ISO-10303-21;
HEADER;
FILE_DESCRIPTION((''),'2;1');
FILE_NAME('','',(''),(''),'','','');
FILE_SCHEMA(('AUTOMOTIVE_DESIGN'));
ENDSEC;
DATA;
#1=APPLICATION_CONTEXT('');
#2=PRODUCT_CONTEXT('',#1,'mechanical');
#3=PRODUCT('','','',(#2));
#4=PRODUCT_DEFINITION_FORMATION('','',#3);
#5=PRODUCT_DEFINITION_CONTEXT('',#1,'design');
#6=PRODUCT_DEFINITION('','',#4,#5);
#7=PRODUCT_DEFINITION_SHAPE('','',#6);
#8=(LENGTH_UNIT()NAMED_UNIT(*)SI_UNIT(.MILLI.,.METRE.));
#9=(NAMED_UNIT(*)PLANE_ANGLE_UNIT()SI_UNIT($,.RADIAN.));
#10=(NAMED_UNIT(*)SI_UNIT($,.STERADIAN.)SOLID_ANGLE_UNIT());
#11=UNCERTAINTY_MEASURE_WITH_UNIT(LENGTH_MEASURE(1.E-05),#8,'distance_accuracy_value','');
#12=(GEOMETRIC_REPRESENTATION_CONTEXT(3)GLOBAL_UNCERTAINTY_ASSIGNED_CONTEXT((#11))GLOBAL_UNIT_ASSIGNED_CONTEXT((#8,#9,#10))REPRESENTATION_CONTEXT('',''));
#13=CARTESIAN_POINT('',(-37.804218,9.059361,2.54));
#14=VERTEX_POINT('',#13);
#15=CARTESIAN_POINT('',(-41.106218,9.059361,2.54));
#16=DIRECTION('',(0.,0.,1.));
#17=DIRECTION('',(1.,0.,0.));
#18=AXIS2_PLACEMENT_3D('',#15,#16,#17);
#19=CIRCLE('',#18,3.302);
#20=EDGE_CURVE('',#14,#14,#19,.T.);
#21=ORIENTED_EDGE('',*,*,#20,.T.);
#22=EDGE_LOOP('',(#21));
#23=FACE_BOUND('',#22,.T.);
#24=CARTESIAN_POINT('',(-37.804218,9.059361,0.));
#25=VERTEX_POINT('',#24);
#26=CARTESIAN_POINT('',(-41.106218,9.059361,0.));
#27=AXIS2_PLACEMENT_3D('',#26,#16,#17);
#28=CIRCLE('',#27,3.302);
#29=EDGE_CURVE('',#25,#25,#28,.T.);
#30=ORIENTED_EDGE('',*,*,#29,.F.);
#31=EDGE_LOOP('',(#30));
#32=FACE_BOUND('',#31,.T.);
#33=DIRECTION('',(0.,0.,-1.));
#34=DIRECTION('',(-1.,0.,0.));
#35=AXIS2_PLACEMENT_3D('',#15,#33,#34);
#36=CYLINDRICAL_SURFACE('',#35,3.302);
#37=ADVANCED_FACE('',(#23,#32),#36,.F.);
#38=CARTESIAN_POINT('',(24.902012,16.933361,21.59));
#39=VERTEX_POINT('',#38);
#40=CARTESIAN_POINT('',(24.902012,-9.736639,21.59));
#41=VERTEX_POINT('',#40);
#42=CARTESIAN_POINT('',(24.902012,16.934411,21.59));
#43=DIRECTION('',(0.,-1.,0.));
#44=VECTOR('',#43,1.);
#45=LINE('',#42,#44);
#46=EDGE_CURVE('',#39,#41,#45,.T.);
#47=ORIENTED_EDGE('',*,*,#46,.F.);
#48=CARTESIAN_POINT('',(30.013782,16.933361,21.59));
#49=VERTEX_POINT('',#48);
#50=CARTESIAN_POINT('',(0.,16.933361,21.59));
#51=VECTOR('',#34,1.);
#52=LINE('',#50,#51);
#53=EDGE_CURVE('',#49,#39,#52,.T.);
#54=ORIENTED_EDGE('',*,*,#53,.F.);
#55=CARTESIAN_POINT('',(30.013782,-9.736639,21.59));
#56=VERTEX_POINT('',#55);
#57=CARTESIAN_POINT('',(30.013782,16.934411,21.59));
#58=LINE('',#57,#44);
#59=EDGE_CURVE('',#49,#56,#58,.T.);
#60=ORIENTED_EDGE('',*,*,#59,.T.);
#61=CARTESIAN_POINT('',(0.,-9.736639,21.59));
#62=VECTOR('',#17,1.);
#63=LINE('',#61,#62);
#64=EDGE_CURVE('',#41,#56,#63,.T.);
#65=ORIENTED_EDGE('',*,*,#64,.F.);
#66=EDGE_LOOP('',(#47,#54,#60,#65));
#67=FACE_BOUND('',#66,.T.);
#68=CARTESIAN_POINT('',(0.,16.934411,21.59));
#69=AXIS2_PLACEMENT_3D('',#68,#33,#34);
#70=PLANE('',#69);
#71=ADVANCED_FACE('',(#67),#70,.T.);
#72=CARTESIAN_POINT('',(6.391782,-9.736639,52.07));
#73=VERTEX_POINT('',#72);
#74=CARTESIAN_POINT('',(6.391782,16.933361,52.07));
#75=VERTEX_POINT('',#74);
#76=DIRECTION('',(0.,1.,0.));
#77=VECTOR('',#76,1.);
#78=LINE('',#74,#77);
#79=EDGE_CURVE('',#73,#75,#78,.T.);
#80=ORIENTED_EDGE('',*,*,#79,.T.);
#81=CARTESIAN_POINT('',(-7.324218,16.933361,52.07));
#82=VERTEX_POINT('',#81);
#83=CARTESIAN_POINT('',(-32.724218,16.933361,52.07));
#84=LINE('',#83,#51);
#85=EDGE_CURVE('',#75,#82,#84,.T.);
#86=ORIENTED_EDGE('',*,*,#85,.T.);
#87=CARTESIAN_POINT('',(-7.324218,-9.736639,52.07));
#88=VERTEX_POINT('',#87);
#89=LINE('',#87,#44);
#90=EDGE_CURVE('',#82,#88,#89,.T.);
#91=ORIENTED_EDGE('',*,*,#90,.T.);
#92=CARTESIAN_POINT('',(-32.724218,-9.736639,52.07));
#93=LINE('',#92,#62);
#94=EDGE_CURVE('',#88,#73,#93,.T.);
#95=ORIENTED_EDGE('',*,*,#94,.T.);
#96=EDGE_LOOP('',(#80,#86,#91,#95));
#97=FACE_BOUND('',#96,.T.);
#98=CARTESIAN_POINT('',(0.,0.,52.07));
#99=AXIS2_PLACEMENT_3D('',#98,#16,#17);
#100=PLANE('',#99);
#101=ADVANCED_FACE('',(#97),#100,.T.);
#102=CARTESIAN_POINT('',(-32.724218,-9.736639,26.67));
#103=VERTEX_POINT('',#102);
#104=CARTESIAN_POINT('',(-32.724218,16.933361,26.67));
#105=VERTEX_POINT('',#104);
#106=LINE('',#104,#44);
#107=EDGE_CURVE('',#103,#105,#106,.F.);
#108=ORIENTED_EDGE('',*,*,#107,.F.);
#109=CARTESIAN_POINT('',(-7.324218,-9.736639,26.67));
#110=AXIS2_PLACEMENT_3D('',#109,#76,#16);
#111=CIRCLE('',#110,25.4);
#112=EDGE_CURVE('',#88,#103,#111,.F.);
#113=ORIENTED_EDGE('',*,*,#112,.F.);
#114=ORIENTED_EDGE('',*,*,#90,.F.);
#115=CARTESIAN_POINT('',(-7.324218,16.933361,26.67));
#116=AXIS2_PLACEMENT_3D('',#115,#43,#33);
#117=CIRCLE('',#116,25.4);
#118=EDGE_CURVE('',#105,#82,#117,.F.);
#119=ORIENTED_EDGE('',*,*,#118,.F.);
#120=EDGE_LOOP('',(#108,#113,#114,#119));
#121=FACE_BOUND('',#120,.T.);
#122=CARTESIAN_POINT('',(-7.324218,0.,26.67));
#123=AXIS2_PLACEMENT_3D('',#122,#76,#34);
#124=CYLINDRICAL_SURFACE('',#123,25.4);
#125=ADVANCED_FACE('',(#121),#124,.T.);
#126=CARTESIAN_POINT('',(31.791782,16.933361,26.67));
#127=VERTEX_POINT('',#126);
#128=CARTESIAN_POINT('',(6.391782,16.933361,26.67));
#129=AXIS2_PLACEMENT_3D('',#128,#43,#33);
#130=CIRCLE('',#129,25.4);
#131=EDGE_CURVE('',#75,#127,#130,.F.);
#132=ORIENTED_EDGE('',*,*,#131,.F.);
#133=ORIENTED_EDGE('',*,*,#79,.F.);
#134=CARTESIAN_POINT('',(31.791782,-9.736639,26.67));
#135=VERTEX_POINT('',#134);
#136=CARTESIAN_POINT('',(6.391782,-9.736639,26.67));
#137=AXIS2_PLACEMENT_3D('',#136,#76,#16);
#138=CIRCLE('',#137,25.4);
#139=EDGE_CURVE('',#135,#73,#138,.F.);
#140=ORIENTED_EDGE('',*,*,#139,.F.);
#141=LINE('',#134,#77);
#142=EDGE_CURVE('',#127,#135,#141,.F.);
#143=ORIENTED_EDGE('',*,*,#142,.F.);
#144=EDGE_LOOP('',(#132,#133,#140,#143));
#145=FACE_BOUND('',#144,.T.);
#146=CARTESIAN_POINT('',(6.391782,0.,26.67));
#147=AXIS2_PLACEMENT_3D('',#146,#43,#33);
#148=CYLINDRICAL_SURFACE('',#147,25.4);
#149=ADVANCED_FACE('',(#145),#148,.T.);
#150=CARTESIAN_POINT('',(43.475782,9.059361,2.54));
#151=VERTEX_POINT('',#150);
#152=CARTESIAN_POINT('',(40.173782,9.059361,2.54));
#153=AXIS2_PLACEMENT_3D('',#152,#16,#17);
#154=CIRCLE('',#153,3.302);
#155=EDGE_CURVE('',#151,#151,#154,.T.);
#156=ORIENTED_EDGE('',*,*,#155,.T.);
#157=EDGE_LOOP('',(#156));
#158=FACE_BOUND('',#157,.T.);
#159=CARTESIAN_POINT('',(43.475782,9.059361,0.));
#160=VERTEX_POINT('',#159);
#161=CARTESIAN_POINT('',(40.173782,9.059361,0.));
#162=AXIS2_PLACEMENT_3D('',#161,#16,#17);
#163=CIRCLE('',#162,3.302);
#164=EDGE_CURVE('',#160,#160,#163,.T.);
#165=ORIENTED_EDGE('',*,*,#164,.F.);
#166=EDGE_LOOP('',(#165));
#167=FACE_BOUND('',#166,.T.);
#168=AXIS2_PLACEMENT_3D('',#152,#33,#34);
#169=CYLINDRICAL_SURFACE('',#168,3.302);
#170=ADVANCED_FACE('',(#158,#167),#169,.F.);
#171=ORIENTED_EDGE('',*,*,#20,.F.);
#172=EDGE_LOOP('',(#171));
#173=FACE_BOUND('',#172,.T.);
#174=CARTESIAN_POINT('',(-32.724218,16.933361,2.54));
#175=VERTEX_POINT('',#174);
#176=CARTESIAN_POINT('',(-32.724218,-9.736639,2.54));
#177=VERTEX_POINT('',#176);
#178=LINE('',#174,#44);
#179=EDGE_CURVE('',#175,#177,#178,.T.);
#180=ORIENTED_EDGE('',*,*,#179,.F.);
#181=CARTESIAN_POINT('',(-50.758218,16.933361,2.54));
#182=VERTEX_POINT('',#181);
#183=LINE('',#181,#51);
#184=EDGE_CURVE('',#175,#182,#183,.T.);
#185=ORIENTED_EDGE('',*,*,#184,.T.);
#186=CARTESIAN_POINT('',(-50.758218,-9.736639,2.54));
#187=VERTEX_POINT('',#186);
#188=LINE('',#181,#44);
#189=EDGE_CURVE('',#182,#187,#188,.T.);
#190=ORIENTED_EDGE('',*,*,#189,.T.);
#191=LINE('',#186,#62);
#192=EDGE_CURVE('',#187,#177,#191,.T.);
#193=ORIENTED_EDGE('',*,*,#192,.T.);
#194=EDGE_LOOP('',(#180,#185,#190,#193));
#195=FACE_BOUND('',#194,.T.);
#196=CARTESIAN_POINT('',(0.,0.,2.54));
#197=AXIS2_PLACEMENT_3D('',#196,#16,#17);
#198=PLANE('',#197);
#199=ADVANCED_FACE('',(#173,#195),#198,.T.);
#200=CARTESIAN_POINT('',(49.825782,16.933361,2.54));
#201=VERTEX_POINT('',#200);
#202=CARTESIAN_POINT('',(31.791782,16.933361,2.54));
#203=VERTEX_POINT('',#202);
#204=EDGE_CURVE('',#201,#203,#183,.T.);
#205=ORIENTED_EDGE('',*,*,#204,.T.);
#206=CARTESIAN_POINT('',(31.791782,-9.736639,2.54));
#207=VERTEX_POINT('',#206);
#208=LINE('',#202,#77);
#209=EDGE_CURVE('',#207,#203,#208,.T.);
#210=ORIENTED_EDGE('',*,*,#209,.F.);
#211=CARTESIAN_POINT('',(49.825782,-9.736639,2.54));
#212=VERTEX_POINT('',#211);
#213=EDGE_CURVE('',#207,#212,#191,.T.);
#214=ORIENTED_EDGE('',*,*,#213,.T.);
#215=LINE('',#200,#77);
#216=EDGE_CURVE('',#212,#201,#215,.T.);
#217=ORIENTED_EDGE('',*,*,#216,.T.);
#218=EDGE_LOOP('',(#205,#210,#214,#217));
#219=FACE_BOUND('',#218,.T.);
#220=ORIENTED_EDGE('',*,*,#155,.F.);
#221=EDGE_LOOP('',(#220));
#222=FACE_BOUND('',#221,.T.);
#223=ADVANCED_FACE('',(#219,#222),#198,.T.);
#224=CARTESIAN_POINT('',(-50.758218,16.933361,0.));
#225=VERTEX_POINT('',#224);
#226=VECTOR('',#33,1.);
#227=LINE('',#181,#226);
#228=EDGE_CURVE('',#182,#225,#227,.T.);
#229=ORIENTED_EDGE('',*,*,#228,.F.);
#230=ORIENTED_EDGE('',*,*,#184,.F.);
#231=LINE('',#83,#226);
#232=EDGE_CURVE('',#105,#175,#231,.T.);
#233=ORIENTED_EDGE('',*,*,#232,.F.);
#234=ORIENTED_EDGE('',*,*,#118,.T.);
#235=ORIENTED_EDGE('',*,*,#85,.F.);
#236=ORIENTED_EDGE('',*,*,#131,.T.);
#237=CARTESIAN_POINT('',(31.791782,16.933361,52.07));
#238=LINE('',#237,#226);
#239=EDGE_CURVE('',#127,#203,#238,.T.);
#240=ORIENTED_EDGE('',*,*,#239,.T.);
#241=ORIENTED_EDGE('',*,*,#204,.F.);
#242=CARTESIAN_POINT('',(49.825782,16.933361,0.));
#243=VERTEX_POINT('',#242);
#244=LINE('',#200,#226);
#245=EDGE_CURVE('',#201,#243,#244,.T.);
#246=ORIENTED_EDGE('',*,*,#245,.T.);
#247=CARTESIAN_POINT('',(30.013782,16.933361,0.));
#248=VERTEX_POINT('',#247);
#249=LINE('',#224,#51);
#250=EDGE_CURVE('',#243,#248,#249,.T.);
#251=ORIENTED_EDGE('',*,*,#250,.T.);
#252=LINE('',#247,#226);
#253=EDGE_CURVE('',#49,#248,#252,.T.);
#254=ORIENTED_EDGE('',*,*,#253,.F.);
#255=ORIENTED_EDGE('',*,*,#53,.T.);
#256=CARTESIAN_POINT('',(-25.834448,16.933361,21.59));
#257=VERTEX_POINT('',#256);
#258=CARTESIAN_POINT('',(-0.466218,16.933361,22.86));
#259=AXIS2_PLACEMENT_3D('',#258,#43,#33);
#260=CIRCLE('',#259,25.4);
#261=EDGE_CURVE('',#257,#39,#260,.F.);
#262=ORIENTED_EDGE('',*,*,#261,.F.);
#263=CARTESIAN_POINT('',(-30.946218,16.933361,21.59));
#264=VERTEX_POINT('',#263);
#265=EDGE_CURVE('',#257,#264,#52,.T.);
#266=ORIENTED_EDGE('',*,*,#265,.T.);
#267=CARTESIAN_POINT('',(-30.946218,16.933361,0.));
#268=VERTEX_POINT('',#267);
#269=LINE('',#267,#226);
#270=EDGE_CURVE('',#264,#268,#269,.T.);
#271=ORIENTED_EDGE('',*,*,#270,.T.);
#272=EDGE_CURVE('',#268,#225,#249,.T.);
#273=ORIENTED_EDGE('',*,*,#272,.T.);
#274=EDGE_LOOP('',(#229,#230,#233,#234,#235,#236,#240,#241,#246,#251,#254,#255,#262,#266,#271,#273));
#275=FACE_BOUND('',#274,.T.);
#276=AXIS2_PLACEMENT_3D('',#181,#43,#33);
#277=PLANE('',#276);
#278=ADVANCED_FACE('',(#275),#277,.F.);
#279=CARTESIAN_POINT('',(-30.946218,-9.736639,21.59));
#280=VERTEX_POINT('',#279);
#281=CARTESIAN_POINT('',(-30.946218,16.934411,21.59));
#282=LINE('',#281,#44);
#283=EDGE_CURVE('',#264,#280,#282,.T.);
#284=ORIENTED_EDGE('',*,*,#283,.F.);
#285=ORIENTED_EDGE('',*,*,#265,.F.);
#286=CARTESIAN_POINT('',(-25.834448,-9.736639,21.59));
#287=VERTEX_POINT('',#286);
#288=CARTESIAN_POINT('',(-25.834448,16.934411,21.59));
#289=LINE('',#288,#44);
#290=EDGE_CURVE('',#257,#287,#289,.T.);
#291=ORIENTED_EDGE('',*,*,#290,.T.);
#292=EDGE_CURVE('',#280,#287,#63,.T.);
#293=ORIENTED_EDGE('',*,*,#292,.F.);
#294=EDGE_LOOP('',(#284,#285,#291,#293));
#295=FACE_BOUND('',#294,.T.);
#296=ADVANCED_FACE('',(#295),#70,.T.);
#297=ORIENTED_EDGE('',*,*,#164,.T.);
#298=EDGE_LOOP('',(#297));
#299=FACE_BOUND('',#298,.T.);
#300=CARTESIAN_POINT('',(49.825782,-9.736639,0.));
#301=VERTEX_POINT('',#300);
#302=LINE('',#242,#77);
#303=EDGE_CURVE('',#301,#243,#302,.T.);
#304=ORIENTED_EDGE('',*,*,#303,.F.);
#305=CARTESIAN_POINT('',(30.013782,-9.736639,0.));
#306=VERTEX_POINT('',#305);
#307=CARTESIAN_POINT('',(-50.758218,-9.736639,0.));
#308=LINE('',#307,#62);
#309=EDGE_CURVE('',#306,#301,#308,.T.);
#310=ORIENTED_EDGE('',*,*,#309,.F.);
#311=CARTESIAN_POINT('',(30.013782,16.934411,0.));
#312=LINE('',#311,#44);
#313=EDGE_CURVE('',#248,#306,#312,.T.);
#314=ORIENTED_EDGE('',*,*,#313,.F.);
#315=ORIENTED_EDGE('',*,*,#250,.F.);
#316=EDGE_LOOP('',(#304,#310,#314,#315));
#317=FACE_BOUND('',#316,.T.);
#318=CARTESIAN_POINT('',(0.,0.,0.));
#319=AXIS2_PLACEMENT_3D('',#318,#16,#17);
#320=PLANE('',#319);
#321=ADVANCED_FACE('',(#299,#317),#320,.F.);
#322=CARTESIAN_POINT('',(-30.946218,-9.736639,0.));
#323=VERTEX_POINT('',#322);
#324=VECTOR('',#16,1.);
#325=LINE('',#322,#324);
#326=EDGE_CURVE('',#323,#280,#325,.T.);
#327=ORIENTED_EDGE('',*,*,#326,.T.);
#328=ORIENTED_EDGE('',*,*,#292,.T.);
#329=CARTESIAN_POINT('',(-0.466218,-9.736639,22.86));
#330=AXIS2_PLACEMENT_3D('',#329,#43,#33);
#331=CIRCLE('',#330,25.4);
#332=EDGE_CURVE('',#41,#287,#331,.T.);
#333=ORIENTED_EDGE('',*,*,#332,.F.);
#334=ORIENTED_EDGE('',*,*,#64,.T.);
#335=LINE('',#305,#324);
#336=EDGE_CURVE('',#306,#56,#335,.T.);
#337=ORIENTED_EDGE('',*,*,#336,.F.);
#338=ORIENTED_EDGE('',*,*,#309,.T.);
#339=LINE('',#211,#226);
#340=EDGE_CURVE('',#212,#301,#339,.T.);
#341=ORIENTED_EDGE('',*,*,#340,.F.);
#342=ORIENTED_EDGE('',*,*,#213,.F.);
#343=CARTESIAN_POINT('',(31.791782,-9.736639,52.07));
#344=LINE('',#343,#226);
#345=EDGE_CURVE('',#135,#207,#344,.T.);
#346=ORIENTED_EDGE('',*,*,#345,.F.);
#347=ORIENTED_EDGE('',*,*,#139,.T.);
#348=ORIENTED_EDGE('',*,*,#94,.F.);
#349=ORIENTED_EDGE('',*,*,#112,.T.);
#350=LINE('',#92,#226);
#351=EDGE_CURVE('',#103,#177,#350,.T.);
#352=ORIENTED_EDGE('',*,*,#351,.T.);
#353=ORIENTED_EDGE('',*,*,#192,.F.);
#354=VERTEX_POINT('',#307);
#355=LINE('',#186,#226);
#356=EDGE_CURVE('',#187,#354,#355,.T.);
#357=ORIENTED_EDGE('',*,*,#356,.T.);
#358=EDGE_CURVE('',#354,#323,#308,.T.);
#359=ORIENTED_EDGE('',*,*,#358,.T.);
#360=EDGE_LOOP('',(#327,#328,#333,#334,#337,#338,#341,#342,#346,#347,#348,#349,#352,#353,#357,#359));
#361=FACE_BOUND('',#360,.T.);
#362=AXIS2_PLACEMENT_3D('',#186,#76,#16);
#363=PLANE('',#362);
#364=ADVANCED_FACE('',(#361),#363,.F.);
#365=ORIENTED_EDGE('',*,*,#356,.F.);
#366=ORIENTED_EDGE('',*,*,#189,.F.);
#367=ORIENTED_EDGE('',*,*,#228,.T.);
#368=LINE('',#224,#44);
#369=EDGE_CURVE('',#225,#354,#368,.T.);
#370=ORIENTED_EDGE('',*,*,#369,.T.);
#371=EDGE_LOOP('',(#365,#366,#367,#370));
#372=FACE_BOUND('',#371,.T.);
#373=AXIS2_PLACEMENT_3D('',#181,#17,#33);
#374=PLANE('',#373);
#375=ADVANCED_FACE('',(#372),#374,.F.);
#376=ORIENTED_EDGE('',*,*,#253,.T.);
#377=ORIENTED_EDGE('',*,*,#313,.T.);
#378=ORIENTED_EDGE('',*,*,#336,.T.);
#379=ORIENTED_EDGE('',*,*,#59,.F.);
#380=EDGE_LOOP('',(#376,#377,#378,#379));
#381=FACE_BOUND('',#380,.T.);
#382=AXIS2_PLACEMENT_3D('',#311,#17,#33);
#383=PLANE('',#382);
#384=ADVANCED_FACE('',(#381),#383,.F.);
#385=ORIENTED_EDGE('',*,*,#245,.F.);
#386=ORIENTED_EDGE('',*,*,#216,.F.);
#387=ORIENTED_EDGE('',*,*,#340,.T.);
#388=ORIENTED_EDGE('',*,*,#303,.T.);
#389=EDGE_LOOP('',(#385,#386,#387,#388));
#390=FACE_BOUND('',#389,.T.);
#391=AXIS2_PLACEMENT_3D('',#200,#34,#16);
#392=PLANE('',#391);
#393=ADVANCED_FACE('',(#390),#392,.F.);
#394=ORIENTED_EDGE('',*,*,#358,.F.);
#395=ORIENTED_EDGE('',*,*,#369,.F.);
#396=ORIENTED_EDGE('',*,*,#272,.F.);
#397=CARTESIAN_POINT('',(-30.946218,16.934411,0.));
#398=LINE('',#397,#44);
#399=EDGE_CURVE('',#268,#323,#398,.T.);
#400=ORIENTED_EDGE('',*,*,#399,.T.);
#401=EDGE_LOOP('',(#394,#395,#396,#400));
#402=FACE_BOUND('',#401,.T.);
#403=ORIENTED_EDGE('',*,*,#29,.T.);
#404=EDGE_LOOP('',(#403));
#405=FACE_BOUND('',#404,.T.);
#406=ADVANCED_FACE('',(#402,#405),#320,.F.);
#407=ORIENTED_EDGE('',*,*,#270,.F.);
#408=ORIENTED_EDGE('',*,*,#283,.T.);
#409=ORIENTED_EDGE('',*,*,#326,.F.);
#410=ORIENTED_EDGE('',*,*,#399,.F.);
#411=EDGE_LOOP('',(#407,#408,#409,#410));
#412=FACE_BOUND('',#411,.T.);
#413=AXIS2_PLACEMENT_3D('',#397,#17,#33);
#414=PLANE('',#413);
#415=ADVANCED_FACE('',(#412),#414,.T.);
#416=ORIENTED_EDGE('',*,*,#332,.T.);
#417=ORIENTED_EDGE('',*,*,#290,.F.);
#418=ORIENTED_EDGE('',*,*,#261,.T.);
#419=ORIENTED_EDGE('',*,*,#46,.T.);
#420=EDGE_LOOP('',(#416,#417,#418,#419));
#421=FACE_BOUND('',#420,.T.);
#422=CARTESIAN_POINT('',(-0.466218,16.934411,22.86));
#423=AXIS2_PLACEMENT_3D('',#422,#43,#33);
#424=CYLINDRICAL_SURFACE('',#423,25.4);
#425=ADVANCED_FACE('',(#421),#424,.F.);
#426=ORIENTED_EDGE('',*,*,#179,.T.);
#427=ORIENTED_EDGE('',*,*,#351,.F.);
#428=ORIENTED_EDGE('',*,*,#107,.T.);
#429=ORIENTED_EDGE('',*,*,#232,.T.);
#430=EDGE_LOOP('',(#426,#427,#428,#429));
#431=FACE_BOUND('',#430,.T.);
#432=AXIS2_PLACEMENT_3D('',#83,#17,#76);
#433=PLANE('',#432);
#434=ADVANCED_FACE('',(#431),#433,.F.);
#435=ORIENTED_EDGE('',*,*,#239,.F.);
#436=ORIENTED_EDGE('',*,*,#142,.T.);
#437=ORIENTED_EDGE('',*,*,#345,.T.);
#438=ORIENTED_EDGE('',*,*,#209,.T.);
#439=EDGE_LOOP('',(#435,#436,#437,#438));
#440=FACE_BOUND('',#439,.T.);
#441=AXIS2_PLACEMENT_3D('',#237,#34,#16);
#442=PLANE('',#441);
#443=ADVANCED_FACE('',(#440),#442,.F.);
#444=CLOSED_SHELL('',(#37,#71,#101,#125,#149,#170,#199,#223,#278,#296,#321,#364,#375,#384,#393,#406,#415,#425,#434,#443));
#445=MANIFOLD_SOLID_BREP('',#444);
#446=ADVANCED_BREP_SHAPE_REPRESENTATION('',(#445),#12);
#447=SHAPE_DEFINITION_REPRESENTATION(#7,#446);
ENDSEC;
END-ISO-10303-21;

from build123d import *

# Parameters (mm, degrees)
SKETCH1_W           = 100.584
SKETCH1_H           = 26.67
SKETCH1_R           = 3.302
BOSS_EXTRUDE1_DEPTH = 2.54
SKETCH2_W           = 64.516
SKETCH2_H           = 26.67
BOSS_EXTRUDE2_DEPTH = 49.53
CUT_EXTRUDE1_REACH  = 28.67
FILLET1_R           = 25.4


with BuildPart() as part:
    # Sketch1 → Boss-Extrude1 (new body)
    with BuildSketch(Plane.XY):
        with Locations((-0.466217893, 3.598360719)):
            Rectangle(SKETCH1_W, SKETCH1_H)
        with Locations((-41.106217893, 9.059360719)):
            Circle(SKETCH1_R, mode=Mode.SUBTRACT)
        with Locations((40.173782107, 9.059360719)):
            Circle(SKETCH1_R, mode=Mode.SUBTRACT)
    extrude(amount=BOSS_EXTRUDE1_DEPTH)

    # Sketch2 → Boss-Extrude2 (add)
    with BuildSketch(Plane.XY.offset(2.54)):
        with Locations((-0.466217893, 3.598360719)):
            Rectangle(SKETCH2_W, SKETCH2_H)
    extrude(amount=BOSS_EXTRUDE2_DEPTH)

    # Sketch5 → Cut-Extrude1 (cut, up to next)
    with BuildSketch(Plane.XZ.offset(9.736639281), mode=Mode.PRIVATE) as cut_extrude1_sk1:
        with BuildLine():
            ThreePointArc((24.933782107, 22.86), (-1.101416548, 48.252056291), (-25.834448025, 21.59))
            Line((-25.834448025, 21.59), (24.902012238, 21.59))
            ThreePointArc((24.902012238, 21.59), (24.925838398, 22.224801345), (24.933782107, 22.86))
        make_face()
    cut_extrude1_tool1 = extrude(cut_extrude1_sk1.sketch, amount=-CUT_EXTRUDE1_REACH, mode=Mode.PRIVATE) & part.part
    add(cut_extrude1_tool1.solids().sort_by_distance((-0.466218, -9.736639, 32.957158))[0], mode=Mode.SUBTRACT)
    # Sketch5 → Cut-Extrude1 (cut, up to next)
    with BuildSketch(Plane.XZ.offset(9.736639281), mode=Mode.PRIVATE) as cut_extrude1_sk2:
        with BuildLine():
            ThreePointArc((-25.834448025, 21.59), (-21.643974867, 8.836355339), (-11.53782121, 0))
            Line((-11.53782121, 0), (10.605385423, 0))
            ThreePointArc((10.605385423, 0), (20.71153908, 8.836355339), (24.902012238, 21.59))
            Line((24.902012238, 21.59), (-25.834448025, 21.59))
        make_face()
    cut_extrude1_tool2 = extrude(cut_extrude1_sk2.sketch, amount=-CUT_EXTRUDE1_REACH, mode=Mode.PRIVATE) & part.part
    add(cut_extrude1_tool2.solids().sort_by_distance((-0.466218, -9.736639, 11.906571))[0], mode=Mode.SUBTRACT)
    # Sketch5 → Cut-Extrude1 (cut, up to next)
    with BuildSketch(Plane.XZ.offset(9.736639281), mode=Mode.PRIVATE) as cut_extrude1_sk3:
        with BuildLine():
            Line((-30.946217893, 21.59), (-30.946217893, 0))
            Line((-30.946217893, 0), (-11.53782121, 0))
            ThreePointArc((-11.53782121, 0), (-21.643974867, 8.836355339), (-25.834448025, 21.59))
            Line((-25.834448025, 21.59), (-30.946217893, 21.59))
        make_face()
    cut_extrude1_tool3 = extrude(cut_extrude1_sk3.sketch, amount=-CUT_EXTRUDE1_REACH, mode=Mode.PRIVATE) & part.part
    add(cut_extrude1_tool3.solids().sort_by_distance((-25.424083, -9.736639, 8.295091))[0], mode=Mode.SUBTRACT)
    # Sketch5 → Cut-Extrude1 (cut, up to next)
    with BuildSketch(Plane.XZ.offset(9.736639281), mode=Mode.PRIVATE) as cut_extrude1_sk4:
        with BuildLine():
            ThreePointArc((24.902012238, 21.59), (20.71153908, 8.836355339), (10.605385423, 0))
            Line((10.605385423, 0), (30.013782107, 0))
            Line((30.013782107, 0), (30.013782107, 21.59))
            Line((30.013782107, 21.59), (24.902012238, 21.59))
        make_face()
    cut_extrude1_tool4 = extrude(cut_extrude1_sk4.sketch, amount=-CUT_EXTRUDE1_REACH, mode=Mode.PRIVATE) & part.part
    add(cut_extrude1_tool4.solids().sort_by_distance((24.491648, -9.736639, 8.295091))[0], mode=Mode.SUBTRACT)

    # Fillet1
    fillet1_edges = [part.edges().sort_by_distance(p)[0] for p in [
        (-32.724217893, 3.598360719, 52.07),
        (31.791782107, 3.598360719, 52.07),
    ]]
    fillet(fillet1_edges, radius=FILLET1_R)


solid = part.part
